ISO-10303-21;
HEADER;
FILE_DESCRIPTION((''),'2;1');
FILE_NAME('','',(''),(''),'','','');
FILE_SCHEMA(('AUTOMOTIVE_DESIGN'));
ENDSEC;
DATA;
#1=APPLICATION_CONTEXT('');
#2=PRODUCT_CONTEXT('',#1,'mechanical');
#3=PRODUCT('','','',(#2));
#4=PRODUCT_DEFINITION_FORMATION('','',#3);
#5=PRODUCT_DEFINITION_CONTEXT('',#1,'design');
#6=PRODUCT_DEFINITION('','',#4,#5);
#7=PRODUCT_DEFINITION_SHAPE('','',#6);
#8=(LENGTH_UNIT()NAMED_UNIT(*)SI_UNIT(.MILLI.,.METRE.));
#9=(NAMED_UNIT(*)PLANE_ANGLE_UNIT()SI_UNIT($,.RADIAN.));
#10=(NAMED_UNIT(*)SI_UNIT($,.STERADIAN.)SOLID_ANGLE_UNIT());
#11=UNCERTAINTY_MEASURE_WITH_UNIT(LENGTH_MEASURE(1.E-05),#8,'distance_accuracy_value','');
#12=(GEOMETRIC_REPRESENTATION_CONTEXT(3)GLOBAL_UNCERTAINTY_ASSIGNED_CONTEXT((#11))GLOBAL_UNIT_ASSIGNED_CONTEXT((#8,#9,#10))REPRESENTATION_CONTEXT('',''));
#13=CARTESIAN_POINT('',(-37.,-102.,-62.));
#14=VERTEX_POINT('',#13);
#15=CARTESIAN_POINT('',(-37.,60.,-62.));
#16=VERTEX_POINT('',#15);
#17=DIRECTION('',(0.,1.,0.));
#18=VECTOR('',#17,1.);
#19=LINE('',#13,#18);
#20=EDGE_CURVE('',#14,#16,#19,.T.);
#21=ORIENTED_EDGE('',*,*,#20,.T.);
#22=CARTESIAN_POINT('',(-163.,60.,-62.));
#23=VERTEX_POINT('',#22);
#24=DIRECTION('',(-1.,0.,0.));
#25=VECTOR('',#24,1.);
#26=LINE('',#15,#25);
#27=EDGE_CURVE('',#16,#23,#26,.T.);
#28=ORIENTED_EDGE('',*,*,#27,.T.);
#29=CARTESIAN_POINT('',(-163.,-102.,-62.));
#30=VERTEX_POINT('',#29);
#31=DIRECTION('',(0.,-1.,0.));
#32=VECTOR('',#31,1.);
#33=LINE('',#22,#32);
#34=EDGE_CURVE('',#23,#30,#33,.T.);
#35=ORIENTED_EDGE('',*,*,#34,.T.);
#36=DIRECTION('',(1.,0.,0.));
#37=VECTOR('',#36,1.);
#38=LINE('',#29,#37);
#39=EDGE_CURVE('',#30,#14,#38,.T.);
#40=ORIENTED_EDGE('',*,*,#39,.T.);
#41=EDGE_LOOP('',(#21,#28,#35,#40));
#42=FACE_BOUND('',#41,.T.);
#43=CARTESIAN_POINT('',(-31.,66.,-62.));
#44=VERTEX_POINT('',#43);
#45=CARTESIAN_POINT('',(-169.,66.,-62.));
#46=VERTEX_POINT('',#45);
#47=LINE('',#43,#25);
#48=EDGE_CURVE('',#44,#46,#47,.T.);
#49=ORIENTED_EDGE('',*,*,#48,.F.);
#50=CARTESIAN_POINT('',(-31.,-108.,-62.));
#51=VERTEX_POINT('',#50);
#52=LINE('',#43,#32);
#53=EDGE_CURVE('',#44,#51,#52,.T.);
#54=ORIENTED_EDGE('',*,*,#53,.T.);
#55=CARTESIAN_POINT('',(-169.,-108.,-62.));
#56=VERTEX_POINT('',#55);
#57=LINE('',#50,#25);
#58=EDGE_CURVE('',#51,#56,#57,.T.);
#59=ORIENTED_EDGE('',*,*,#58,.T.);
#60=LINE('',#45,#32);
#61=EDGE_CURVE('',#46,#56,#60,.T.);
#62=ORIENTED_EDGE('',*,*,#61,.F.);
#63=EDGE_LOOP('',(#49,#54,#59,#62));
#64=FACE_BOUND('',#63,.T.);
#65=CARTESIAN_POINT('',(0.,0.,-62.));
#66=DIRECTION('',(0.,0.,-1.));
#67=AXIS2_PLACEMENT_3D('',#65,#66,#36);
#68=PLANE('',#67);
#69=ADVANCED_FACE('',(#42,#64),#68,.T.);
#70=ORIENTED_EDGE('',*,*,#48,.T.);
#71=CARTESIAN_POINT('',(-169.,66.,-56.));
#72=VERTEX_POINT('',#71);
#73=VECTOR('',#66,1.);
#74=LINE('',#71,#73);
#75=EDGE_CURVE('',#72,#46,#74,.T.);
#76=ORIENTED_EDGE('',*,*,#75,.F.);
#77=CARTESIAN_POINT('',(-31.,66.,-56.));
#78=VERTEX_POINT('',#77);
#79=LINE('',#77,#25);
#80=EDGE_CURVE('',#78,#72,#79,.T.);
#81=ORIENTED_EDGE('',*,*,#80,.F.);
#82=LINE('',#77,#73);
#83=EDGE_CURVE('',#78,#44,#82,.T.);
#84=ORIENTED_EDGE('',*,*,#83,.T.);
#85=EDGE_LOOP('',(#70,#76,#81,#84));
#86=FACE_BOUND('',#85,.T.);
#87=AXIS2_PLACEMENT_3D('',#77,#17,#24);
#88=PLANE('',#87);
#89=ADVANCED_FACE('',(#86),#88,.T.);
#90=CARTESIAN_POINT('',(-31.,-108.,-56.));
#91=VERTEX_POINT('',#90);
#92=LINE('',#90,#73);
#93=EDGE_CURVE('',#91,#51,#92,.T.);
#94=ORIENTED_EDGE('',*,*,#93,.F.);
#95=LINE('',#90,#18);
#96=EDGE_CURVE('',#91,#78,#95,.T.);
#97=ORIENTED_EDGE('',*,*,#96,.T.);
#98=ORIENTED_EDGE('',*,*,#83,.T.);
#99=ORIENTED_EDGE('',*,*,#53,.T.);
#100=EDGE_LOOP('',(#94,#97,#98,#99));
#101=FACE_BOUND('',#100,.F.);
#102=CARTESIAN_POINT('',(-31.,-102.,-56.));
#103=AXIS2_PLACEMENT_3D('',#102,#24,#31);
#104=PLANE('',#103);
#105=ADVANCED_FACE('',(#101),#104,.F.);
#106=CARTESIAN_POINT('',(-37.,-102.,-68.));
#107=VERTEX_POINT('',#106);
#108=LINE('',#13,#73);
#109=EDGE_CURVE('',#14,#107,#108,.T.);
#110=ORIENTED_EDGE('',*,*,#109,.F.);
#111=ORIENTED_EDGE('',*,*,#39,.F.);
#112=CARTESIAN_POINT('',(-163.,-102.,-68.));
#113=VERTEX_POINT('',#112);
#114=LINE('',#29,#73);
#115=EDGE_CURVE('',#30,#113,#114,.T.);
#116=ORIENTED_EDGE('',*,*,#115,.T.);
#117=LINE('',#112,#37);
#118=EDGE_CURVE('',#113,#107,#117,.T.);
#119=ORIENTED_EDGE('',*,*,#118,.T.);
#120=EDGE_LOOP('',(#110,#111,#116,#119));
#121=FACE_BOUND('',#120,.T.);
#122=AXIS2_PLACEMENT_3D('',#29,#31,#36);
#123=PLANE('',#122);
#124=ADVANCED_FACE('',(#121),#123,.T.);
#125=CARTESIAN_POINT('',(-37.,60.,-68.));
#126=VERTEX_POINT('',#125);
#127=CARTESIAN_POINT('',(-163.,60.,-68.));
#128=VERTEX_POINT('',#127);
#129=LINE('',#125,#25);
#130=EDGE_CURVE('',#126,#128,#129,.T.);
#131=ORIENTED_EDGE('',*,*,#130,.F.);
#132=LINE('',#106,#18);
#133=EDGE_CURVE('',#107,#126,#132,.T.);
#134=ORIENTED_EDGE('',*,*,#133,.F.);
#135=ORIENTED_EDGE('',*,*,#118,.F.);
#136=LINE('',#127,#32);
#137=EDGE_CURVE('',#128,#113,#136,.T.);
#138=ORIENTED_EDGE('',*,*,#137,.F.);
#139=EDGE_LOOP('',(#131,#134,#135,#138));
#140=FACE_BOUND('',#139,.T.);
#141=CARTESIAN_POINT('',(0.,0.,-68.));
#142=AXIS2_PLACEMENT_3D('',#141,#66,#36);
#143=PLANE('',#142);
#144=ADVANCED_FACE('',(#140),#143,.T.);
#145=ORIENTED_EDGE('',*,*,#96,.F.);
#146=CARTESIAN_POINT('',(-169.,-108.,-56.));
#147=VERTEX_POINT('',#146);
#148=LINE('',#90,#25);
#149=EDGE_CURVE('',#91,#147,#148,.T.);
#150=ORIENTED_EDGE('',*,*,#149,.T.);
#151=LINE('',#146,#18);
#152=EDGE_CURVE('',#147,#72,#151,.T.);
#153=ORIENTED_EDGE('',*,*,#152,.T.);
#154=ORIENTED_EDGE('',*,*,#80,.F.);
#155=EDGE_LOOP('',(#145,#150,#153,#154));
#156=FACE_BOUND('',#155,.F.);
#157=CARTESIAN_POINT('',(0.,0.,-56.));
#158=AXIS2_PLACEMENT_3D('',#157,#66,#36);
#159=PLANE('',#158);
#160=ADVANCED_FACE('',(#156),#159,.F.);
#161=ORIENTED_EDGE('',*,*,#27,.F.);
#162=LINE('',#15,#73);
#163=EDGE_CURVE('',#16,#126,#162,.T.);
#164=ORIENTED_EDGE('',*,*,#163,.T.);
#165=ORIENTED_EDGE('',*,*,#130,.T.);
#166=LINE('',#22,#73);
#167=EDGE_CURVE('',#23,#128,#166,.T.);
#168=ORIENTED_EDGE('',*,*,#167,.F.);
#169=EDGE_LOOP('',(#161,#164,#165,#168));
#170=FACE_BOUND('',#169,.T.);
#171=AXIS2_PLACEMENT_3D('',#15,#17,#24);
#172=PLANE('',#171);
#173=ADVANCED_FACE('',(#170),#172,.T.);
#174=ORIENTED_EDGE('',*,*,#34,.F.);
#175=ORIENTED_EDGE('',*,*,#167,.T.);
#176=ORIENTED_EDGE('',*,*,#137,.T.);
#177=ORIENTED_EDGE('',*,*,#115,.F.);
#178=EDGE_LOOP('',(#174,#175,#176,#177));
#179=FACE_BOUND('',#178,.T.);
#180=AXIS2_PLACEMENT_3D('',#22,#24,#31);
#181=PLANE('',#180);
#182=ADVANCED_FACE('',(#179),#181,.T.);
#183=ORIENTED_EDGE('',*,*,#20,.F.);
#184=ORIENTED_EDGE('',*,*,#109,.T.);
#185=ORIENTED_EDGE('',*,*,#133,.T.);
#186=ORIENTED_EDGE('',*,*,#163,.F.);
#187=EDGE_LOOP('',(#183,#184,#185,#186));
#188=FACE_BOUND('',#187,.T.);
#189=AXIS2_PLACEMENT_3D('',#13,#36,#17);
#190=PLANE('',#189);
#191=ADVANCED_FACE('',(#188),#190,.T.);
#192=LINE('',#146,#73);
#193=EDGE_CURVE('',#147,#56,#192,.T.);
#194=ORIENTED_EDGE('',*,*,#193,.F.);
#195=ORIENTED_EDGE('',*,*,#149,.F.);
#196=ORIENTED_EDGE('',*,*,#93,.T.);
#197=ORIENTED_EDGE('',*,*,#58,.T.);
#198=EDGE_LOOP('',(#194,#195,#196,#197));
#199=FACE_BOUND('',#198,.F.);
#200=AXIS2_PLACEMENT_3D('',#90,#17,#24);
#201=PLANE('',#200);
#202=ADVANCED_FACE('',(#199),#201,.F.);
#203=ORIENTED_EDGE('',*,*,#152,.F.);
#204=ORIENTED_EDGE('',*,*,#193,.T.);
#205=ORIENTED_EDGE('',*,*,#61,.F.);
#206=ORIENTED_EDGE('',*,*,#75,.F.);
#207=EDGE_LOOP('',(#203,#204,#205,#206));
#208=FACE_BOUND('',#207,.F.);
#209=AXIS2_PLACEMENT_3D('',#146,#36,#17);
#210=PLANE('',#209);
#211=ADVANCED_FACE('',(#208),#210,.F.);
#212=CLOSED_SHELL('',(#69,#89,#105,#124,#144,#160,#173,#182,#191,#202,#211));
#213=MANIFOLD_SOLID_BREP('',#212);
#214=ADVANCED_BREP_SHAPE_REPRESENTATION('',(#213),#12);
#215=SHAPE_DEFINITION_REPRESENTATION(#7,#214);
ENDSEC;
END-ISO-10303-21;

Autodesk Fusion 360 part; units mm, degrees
sketch "Boceto1" plane through (0, 0, -56) normal (0, 0, -1) x (1, 0, 0)
  line L0 (-169, 102) -> (-31, 102)
  line L1 (-31, 102) -> (-31, 108)
  line L2 (-31, 108) -> (-169, 108)
  line L3 (-169, 108) -> (-169, 102)
  line L4 (-169, 108) -> (-31, 108)
  line L5 (-31, 108) -> (-31, -66)
  line L6 (-31, -66) -> (-169, -66)
  line L7 (-169, -66) -> (-169, 108)
  line L8 (-169, 102) -> (-169, -60)
  line L9 (-169, -66) -> (-31, -66)
  line L10 (-31, -60) -> (-31, 102)
sketch "Boceto2" plane through (0, 0, -62) normal (0, 0, -1) x (1, 0, 0)
  line L0 (-169, -66) -> (-31, -66)
  line L1 (-31, -66) -> (-31, 108)
  line L2 (-31, 108) -> (-169, 108)
  line L3 (-169, 108) -> (-169, -66)
  line L4 (-163, 102) -> (-37, 102)
  line L5 (-37, 102) -> (-37, -60)
  line L6 (-37, -60) -> (-163, -60)
  line L7 (-163, -60) -> (-163, 102)
  line L8 (-163, -60) -> (-163, 102)
  line L9 (-37, 102) -> (-37, -60)
  line L10 (-175, 102) -> (-25, 102)
  line L11 (-25, -60) -> (-175, -60)
extrude "Extruir1" add sketch "Boceto1" along normal blind 6
extrude "Extruir2" add sketch "Boceto2" along normal blind 6 contours L4 L5 L6 L7 L8 L9 L10 L11
